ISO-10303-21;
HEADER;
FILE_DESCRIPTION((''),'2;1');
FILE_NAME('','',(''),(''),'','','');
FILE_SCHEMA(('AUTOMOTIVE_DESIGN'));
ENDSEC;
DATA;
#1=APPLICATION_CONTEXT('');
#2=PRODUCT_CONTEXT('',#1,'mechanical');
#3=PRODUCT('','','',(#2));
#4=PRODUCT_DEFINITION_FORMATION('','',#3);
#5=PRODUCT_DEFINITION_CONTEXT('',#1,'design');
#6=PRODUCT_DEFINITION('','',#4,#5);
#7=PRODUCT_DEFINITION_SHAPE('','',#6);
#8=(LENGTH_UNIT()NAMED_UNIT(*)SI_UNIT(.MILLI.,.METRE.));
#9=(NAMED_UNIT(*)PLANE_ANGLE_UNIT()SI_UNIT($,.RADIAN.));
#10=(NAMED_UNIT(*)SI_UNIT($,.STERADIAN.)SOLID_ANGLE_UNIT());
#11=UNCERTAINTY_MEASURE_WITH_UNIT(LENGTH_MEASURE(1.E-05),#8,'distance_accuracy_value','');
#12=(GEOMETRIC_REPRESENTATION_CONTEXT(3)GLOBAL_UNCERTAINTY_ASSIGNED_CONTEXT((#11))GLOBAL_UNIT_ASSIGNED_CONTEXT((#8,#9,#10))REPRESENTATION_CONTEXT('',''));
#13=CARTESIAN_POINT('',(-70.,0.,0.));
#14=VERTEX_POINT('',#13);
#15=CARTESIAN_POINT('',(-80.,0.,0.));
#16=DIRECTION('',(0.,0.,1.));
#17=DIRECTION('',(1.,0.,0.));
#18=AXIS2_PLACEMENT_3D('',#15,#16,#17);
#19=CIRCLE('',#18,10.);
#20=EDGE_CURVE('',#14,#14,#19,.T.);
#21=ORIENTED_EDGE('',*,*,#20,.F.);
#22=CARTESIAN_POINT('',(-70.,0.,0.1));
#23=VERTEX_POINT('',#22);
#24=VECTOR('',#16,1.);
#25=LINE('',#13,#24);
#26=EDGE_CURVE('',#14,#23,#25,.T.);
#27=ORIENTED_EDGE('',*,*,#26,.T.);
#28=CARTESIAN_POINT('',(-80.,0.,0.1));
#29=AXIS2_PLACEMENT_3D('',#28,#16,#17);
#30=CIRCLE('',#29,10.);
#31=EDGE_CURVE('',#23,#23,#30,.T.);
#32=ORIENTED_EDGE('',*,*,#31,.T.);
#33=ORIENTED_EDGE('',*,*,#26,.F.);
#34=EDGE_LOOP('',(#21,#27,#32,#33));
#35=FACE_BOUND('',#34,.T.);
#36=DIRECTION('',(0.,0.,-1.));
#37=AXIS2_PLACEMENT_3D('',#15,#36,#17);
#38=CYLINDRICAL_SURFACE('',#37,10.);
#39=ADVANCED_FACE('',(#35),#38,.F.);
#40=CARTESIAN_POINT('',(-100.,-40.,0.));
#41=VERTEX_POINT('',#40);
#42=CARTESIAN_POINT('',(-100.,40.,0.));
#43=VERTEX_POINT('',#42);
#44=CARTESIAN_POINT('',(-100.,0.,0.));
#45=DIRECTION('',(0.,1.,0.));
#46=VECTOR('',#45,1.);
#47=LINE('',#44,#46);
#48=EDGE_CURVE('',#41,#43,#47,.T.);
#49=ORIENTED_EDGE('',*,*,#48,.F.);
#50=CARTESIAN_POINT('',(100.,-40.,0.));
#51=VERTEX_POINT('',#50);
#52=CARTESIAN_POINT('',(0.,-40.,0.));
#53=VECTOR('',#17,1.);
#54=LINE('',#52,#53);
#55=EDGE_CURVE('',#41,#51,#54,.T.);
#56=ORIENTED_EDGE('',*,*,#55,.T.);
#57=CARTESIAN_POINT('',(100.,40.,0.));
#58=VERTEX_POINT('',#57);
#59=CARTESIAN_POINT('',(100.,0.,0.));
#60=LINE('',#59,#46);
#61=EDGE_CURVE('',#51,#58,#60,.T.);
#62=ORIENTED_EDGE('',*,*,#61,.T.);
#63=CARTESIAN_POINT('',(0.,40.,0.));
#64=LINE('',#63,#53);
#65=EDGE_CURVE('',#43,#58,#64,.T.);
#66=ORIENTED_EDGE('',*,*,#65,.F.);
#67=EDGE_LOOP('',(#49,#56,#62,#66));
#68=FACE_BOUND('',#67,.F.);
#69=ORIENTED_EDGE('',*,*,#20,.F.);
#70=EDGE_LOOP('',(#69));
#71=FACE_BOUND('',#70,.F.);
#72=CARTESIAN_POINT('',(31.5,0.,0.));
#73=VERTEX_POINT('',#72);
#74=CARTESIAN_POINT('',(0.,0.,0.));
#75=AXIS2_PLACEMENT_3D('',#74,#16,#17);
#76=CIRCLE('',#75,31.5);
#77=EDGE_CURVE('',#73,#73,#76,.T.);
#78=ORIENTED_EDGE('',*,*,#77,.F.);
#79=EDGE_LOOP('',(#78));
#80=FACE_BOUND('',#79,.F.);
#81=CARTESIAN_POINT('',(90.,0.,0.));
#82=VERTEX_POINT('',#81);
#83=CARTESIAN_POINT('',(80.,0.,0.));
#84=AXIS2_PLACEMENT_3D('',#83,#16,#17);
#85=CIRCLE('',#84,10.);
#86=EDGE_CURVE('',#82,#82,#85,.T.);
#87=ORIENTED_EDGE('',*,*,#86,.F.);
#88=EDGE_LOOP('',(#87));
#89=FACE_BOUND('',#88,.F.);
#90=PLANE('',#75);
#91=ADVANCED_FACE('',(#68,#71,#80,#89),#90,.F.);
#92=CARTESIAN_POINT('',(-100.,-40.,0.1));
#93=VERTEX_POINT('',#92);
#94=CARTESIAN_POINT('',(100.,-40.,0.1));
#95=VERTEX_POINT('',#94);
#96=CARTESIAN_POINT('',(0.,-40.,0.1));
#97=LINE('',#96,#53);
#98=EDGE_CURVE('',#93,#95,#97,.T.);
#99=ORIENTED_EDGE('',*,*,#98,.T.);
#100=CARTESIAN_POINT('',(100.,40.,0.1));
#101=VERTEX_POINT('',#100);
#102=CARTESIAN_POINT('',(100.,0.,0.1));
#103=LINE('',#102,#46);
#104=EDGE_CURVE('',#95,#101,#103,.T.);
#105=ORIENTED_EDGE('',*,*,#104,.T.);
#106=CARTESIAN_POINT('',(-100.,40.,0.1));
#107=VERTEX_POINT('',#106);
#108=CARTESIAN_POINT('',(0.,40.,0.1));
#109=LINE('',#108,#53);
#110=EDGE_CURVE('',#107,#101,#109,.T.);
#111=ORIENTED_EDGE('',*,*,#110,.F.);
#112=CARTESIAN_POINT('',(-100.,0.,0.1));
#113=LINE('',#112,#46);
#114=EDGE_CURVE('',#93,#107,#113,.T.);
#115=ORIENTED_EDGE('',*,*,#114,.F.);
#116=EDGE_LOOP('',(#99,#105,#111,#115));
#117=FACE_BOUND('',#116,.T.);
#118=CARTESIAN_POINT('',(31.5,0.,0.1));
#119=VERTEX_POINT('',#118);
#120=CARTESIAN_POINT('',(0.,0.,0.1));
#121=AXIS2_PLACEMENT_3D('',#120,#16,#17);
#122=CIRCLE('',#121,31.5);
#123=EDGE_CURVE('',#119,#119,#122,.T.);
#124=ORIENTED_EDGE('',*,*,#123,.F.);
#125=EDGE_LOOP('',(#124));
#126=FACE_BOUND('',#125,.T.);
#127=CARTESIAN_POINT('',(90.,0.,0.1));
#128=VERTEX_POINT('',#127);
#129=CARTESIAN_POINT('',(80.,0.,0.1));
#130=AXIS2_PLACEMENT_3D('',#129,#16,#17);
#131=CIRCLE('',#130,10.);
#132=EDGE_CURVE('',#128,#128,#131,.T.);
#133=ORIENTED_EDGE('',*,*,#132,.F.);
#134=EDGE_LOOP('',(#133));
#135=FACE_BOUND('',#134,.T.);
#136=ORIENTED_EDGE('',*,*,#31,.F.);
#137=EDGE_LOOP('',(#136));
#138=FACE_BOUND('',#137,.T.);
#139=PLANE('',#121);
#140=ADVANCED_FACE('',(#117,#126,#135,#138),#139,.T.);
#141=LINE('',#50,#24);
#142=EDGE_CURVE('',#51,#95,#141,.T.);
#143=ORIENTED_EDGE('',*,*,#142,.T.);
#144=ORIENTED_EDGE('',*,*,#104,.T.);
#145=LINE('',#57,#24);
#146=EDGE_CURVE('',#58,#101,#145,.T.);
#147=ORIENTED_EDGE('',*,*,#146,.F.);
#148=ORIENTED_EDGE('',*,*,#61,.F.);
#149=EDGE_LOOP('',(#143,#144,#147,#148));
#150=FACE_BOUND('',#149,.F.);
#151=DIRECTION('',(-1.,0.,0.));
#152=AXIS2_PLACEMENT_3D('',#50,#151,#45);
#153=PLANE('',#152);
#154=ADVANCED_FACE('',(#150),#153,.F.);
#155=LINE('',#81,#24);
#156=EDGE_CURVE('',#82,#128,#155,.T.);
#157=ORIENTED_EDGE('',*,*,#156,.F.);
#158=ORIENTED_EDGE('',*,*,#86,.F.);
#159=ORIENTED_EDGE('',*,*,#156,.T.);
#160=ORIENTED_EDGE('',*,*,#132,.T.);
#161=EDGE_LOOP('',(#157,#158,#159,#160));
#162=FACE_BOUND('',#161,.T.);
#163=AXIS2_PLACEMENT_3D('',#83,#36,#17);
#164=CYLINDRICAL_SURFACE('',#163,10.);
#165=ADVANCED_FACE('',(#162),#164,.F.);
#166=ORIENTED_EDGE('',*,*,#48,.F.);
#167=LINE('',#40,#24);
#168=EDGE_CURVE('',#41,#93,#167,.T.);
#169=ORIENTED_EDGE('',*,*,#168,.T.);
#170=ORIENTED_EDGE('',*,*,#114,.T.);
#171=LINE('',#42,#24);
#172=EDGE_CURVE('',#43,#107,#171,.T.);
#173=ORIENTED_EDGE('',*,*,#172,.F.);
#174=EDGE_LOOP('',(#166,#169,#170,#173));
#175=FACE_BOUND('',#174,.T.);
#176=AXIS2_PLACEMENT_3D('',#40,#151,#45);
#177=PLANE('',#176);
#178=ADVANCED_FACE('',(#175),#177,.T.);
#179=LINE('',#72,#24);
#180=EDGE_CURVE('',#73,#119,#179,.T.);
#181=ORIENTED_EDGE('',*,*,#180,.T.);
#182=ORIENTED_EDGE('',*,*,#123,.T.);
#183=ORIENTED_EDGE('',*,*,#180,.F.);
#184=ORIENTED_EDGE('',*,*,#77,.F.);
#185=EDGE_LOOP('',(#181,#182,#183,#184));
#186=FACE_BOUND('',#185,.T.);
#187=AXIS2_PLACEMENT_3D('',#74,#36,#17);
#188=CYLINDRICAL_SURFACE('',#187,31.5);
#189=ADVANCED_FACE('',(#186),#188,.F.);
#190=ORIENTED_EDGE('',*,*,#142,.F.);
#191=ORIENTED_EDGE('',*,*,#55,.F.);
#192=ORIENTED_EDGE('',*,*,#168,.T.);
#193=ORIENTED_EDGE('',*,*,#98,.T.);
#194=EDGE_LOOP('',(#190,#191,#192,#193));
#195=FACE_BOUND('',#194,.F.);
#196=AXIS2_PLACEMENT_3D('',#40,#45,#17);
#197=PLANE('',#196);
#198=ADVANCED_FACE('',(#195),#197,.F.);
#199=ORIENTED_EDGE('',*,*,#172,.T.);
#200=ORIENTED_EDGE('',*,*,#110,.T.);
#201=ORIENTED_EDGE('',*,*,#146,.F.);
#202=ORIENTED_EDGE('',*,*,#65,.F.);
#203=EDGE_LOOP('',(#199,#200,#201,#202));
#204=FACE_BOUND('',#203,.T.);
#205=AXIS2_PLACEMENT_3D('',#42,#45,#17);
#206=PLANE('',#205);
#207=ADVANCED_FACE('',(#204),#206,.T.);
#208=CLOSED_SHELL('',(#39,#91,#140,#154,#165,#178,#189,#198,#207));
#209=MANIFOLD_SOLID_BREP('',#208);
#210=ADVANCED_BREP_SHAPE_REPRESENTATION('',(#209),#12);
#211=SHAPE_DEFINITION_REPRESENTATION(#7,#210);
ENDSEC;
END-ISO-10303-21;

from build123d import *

# Parameters (mm, degrees)
SKETCH_W   = 200
SKETCH_H   = 80
SKETCH_R   = 31.5
SKETCH_R_2 = 10
PAD_DEPTH  = 0.1


with BuildPart() as part:
    # Sketch → Pad (new body)
    with BuildSketch(Plane.XY):
        Rectangle(SKETCH_W, SKETCH_H)
        Circle(SKETCH_R, mode=Mode.SUBTRACT)
        with Locations((80, 0)):
            Circle(SKETCH_R_2, mode=Mode.SUBTRACT)
        with Locations((-80, 0)):
            Circle(SKETCH_R_2, mode=Mode.SUBTRACT)
    extrude(amount=PAD_DEPTH)


solid = part.part
